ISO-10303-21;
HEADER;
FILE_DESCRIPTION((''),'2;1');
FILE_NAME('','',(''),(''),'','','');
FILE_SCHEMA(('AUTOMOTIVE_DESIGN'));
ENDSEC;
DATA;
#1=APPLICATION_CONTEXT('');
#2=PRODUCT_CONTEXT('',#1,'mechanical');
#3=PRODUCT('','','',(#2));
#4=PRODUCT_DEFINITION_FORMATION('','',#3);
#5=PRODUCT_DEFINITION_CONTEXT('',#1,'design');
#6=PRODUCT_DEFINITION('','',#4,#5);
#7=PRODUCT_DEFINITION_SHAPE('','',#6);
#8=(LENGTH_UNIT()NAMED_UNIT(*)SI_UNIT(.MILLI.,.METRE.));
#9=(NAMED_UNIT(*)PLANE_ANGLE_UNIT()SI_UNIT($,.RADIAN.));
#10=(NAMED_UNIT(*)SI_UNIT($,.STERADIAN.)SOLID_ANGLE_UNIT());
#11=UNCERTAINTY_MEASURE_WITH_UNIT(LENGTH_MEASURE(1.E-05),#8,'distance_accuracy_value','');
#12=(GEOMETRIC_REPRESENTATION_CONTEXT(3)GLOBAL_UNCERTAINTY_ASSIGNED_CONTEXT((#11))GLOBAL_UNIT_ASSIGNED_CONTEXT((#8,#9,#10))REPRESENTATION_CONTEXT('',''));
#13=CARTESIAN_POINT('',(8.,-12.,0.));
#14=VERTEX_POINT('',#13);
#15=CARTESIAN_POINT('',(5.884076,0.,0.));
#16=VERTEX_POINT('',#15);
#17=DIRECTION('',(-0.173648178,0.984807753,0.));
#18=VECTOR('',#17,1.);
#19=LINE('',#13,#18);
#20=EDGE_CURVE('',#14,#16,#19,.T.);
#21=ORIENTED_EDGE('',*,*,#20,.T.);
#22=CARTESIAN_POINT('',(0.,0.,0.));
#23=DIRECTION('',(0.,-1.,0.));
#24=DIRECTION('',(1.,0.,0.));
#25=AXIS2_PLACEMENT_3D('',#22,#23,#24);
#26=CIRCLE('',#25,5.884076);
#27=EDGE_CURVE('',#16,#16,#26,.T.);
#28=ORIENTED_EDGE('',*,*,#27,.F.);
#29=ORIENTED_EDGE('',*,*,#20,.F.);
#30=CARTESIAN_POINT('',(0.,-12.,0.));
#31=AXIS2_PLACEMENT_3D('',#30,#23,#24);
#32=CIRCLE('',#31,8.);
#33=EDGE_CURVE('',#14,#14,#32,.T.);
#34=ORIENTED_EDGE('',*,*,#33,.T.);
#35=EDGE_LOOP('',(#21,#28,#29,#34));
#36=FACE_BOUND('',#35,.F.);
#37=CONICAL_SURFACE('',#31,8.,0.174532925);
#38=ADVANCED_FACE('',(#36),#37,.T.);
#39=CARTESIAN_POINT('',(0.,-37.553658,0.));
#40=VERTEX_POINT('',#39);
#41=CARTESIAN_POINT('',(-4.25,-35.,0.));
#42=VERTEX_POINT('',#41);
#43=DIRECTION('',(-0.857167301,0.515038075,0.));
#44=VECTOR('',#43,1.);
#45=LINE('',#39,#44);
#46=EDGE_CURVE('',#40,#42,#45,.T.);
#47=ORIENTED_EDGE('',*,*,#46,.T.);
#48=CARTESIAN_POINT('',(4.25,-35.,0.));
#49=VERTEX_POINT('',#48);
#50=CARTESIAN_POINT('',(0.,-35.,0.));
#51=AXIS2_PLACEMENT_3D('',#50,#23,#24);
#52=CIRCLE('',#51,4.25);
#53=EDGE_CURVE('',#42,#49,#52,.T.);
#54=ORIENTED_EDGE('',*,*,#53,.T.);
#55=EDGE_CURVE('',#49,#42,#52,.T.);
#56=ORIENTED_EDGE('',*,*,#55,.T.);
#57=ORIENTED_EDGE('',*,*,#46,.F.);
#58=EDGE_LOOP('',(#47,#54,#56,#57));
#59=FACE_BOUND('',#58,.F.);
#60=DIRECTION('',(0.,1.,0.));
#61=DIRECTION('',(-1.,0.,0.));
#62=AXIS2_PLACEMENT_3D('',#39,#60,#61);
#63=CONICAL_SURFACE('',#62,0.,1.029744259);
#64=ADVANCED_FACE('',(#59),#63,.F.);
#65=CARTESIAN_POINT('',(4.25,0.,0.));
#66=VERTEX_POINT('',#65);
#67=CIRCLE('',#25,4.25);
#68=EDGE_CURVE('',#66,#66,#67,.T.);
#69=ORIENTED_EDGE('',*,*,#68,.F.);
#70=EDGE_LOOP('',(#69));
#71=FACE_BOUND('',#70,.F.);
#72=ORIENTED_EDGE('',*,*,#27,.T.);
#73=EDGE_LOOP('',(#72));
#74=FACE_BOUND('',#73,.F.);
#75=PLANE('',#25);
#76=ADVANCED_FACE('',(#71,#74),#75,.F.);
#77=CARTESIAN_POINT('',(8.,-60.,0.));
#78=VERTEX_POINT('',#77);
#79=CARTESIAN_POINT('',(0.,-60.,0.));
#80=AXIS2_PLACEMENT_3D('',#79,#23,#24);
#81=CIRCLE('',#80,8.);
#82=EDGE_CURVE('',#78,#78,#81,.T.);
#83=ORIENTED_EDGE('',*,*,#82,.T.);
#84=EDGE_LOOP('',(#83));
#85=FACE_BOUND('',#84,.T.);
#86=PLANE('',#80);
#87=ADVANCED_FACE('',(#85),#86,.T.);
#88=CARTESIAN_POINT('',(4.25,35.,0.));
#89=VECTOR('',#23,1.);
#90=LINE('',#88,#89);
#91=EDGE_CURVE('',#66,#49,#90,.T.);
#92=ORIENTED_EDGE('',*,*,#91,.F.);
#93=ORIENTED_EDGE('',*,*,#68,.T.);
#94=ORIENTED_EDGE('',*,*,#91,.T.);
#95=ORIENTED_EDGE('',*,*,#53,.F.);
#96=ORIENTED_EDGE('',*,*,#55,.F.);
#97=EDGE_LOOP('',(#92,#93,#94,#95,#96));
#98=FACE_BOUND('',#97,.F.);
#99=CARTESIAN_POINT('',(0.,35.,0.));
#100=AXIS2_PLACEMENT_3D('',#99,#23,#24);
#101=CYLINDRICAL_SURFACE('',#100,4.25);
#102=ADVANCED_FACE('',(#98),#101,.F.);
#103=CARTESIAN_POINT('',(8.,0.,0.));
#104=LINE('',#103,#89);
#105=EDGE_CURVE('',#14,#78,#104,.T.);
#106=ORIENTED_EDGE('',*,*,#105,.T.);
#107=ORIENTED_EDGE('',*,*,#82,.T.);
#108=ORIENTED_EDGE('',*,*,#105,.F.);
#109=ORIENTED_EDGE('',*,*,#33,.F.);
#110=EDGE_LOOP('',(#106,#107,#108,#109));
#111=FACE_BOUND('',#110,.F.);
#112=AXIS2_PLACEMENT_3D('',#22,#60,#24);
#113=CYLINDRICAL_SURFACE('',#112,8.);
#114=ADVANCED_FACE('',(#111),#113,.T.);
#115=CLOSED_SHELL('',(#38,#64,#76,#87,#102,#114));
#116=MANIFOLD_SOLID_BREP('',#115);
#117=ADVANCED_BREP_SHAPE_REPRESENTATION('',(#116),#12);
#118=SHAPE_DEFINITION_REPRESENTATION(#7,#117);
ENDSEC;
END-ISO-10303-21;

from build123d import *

# Parameters (mm, degrees)
F0_R     = 8
F1_DEPTH = 60
F3_D     = 8.5
F3_DEPTH = 35
F3_TIP   = 2.5536576309
F4_SIZE2 = 2.1159237685
F4_SIZE  = 12


with BuildPart() as f1:
    # F0 (on Front) → F1 (new body)
    with BuildSketch(Plane.XZ):
        Circle(F0_R)
    extrude(amount=F1_DEPTH)

    # F3
    with Locations(Plane(origin=(0, 0, 0), x_dir=(-1, 0, 0), z_dir=(0, 1, 0))):
        with Locations((0, 0)):
            Hole(F3_D / 2, depth=F3_DEPTH)
            with Locations((0, 0, -(F3_DEPTH + F3_TIP / 2))):  # 118° drill point
                Cone(0, F3_D / 2, F3_TIP, mode=Mode.SUBTRACT)

    # F4
    f4_edges = [f1.edges().sort_by_distance(p)[0] for p in [
        (-8, 0, 0),
    ]]
    f4_side = f1.faces().sort_by_distance((-8, -30, 0))[0]
    chamfer(f4_edges, length=F4_SIZE, length2=F4_SIZE2, reference=f4_side)


solid = f1.part
